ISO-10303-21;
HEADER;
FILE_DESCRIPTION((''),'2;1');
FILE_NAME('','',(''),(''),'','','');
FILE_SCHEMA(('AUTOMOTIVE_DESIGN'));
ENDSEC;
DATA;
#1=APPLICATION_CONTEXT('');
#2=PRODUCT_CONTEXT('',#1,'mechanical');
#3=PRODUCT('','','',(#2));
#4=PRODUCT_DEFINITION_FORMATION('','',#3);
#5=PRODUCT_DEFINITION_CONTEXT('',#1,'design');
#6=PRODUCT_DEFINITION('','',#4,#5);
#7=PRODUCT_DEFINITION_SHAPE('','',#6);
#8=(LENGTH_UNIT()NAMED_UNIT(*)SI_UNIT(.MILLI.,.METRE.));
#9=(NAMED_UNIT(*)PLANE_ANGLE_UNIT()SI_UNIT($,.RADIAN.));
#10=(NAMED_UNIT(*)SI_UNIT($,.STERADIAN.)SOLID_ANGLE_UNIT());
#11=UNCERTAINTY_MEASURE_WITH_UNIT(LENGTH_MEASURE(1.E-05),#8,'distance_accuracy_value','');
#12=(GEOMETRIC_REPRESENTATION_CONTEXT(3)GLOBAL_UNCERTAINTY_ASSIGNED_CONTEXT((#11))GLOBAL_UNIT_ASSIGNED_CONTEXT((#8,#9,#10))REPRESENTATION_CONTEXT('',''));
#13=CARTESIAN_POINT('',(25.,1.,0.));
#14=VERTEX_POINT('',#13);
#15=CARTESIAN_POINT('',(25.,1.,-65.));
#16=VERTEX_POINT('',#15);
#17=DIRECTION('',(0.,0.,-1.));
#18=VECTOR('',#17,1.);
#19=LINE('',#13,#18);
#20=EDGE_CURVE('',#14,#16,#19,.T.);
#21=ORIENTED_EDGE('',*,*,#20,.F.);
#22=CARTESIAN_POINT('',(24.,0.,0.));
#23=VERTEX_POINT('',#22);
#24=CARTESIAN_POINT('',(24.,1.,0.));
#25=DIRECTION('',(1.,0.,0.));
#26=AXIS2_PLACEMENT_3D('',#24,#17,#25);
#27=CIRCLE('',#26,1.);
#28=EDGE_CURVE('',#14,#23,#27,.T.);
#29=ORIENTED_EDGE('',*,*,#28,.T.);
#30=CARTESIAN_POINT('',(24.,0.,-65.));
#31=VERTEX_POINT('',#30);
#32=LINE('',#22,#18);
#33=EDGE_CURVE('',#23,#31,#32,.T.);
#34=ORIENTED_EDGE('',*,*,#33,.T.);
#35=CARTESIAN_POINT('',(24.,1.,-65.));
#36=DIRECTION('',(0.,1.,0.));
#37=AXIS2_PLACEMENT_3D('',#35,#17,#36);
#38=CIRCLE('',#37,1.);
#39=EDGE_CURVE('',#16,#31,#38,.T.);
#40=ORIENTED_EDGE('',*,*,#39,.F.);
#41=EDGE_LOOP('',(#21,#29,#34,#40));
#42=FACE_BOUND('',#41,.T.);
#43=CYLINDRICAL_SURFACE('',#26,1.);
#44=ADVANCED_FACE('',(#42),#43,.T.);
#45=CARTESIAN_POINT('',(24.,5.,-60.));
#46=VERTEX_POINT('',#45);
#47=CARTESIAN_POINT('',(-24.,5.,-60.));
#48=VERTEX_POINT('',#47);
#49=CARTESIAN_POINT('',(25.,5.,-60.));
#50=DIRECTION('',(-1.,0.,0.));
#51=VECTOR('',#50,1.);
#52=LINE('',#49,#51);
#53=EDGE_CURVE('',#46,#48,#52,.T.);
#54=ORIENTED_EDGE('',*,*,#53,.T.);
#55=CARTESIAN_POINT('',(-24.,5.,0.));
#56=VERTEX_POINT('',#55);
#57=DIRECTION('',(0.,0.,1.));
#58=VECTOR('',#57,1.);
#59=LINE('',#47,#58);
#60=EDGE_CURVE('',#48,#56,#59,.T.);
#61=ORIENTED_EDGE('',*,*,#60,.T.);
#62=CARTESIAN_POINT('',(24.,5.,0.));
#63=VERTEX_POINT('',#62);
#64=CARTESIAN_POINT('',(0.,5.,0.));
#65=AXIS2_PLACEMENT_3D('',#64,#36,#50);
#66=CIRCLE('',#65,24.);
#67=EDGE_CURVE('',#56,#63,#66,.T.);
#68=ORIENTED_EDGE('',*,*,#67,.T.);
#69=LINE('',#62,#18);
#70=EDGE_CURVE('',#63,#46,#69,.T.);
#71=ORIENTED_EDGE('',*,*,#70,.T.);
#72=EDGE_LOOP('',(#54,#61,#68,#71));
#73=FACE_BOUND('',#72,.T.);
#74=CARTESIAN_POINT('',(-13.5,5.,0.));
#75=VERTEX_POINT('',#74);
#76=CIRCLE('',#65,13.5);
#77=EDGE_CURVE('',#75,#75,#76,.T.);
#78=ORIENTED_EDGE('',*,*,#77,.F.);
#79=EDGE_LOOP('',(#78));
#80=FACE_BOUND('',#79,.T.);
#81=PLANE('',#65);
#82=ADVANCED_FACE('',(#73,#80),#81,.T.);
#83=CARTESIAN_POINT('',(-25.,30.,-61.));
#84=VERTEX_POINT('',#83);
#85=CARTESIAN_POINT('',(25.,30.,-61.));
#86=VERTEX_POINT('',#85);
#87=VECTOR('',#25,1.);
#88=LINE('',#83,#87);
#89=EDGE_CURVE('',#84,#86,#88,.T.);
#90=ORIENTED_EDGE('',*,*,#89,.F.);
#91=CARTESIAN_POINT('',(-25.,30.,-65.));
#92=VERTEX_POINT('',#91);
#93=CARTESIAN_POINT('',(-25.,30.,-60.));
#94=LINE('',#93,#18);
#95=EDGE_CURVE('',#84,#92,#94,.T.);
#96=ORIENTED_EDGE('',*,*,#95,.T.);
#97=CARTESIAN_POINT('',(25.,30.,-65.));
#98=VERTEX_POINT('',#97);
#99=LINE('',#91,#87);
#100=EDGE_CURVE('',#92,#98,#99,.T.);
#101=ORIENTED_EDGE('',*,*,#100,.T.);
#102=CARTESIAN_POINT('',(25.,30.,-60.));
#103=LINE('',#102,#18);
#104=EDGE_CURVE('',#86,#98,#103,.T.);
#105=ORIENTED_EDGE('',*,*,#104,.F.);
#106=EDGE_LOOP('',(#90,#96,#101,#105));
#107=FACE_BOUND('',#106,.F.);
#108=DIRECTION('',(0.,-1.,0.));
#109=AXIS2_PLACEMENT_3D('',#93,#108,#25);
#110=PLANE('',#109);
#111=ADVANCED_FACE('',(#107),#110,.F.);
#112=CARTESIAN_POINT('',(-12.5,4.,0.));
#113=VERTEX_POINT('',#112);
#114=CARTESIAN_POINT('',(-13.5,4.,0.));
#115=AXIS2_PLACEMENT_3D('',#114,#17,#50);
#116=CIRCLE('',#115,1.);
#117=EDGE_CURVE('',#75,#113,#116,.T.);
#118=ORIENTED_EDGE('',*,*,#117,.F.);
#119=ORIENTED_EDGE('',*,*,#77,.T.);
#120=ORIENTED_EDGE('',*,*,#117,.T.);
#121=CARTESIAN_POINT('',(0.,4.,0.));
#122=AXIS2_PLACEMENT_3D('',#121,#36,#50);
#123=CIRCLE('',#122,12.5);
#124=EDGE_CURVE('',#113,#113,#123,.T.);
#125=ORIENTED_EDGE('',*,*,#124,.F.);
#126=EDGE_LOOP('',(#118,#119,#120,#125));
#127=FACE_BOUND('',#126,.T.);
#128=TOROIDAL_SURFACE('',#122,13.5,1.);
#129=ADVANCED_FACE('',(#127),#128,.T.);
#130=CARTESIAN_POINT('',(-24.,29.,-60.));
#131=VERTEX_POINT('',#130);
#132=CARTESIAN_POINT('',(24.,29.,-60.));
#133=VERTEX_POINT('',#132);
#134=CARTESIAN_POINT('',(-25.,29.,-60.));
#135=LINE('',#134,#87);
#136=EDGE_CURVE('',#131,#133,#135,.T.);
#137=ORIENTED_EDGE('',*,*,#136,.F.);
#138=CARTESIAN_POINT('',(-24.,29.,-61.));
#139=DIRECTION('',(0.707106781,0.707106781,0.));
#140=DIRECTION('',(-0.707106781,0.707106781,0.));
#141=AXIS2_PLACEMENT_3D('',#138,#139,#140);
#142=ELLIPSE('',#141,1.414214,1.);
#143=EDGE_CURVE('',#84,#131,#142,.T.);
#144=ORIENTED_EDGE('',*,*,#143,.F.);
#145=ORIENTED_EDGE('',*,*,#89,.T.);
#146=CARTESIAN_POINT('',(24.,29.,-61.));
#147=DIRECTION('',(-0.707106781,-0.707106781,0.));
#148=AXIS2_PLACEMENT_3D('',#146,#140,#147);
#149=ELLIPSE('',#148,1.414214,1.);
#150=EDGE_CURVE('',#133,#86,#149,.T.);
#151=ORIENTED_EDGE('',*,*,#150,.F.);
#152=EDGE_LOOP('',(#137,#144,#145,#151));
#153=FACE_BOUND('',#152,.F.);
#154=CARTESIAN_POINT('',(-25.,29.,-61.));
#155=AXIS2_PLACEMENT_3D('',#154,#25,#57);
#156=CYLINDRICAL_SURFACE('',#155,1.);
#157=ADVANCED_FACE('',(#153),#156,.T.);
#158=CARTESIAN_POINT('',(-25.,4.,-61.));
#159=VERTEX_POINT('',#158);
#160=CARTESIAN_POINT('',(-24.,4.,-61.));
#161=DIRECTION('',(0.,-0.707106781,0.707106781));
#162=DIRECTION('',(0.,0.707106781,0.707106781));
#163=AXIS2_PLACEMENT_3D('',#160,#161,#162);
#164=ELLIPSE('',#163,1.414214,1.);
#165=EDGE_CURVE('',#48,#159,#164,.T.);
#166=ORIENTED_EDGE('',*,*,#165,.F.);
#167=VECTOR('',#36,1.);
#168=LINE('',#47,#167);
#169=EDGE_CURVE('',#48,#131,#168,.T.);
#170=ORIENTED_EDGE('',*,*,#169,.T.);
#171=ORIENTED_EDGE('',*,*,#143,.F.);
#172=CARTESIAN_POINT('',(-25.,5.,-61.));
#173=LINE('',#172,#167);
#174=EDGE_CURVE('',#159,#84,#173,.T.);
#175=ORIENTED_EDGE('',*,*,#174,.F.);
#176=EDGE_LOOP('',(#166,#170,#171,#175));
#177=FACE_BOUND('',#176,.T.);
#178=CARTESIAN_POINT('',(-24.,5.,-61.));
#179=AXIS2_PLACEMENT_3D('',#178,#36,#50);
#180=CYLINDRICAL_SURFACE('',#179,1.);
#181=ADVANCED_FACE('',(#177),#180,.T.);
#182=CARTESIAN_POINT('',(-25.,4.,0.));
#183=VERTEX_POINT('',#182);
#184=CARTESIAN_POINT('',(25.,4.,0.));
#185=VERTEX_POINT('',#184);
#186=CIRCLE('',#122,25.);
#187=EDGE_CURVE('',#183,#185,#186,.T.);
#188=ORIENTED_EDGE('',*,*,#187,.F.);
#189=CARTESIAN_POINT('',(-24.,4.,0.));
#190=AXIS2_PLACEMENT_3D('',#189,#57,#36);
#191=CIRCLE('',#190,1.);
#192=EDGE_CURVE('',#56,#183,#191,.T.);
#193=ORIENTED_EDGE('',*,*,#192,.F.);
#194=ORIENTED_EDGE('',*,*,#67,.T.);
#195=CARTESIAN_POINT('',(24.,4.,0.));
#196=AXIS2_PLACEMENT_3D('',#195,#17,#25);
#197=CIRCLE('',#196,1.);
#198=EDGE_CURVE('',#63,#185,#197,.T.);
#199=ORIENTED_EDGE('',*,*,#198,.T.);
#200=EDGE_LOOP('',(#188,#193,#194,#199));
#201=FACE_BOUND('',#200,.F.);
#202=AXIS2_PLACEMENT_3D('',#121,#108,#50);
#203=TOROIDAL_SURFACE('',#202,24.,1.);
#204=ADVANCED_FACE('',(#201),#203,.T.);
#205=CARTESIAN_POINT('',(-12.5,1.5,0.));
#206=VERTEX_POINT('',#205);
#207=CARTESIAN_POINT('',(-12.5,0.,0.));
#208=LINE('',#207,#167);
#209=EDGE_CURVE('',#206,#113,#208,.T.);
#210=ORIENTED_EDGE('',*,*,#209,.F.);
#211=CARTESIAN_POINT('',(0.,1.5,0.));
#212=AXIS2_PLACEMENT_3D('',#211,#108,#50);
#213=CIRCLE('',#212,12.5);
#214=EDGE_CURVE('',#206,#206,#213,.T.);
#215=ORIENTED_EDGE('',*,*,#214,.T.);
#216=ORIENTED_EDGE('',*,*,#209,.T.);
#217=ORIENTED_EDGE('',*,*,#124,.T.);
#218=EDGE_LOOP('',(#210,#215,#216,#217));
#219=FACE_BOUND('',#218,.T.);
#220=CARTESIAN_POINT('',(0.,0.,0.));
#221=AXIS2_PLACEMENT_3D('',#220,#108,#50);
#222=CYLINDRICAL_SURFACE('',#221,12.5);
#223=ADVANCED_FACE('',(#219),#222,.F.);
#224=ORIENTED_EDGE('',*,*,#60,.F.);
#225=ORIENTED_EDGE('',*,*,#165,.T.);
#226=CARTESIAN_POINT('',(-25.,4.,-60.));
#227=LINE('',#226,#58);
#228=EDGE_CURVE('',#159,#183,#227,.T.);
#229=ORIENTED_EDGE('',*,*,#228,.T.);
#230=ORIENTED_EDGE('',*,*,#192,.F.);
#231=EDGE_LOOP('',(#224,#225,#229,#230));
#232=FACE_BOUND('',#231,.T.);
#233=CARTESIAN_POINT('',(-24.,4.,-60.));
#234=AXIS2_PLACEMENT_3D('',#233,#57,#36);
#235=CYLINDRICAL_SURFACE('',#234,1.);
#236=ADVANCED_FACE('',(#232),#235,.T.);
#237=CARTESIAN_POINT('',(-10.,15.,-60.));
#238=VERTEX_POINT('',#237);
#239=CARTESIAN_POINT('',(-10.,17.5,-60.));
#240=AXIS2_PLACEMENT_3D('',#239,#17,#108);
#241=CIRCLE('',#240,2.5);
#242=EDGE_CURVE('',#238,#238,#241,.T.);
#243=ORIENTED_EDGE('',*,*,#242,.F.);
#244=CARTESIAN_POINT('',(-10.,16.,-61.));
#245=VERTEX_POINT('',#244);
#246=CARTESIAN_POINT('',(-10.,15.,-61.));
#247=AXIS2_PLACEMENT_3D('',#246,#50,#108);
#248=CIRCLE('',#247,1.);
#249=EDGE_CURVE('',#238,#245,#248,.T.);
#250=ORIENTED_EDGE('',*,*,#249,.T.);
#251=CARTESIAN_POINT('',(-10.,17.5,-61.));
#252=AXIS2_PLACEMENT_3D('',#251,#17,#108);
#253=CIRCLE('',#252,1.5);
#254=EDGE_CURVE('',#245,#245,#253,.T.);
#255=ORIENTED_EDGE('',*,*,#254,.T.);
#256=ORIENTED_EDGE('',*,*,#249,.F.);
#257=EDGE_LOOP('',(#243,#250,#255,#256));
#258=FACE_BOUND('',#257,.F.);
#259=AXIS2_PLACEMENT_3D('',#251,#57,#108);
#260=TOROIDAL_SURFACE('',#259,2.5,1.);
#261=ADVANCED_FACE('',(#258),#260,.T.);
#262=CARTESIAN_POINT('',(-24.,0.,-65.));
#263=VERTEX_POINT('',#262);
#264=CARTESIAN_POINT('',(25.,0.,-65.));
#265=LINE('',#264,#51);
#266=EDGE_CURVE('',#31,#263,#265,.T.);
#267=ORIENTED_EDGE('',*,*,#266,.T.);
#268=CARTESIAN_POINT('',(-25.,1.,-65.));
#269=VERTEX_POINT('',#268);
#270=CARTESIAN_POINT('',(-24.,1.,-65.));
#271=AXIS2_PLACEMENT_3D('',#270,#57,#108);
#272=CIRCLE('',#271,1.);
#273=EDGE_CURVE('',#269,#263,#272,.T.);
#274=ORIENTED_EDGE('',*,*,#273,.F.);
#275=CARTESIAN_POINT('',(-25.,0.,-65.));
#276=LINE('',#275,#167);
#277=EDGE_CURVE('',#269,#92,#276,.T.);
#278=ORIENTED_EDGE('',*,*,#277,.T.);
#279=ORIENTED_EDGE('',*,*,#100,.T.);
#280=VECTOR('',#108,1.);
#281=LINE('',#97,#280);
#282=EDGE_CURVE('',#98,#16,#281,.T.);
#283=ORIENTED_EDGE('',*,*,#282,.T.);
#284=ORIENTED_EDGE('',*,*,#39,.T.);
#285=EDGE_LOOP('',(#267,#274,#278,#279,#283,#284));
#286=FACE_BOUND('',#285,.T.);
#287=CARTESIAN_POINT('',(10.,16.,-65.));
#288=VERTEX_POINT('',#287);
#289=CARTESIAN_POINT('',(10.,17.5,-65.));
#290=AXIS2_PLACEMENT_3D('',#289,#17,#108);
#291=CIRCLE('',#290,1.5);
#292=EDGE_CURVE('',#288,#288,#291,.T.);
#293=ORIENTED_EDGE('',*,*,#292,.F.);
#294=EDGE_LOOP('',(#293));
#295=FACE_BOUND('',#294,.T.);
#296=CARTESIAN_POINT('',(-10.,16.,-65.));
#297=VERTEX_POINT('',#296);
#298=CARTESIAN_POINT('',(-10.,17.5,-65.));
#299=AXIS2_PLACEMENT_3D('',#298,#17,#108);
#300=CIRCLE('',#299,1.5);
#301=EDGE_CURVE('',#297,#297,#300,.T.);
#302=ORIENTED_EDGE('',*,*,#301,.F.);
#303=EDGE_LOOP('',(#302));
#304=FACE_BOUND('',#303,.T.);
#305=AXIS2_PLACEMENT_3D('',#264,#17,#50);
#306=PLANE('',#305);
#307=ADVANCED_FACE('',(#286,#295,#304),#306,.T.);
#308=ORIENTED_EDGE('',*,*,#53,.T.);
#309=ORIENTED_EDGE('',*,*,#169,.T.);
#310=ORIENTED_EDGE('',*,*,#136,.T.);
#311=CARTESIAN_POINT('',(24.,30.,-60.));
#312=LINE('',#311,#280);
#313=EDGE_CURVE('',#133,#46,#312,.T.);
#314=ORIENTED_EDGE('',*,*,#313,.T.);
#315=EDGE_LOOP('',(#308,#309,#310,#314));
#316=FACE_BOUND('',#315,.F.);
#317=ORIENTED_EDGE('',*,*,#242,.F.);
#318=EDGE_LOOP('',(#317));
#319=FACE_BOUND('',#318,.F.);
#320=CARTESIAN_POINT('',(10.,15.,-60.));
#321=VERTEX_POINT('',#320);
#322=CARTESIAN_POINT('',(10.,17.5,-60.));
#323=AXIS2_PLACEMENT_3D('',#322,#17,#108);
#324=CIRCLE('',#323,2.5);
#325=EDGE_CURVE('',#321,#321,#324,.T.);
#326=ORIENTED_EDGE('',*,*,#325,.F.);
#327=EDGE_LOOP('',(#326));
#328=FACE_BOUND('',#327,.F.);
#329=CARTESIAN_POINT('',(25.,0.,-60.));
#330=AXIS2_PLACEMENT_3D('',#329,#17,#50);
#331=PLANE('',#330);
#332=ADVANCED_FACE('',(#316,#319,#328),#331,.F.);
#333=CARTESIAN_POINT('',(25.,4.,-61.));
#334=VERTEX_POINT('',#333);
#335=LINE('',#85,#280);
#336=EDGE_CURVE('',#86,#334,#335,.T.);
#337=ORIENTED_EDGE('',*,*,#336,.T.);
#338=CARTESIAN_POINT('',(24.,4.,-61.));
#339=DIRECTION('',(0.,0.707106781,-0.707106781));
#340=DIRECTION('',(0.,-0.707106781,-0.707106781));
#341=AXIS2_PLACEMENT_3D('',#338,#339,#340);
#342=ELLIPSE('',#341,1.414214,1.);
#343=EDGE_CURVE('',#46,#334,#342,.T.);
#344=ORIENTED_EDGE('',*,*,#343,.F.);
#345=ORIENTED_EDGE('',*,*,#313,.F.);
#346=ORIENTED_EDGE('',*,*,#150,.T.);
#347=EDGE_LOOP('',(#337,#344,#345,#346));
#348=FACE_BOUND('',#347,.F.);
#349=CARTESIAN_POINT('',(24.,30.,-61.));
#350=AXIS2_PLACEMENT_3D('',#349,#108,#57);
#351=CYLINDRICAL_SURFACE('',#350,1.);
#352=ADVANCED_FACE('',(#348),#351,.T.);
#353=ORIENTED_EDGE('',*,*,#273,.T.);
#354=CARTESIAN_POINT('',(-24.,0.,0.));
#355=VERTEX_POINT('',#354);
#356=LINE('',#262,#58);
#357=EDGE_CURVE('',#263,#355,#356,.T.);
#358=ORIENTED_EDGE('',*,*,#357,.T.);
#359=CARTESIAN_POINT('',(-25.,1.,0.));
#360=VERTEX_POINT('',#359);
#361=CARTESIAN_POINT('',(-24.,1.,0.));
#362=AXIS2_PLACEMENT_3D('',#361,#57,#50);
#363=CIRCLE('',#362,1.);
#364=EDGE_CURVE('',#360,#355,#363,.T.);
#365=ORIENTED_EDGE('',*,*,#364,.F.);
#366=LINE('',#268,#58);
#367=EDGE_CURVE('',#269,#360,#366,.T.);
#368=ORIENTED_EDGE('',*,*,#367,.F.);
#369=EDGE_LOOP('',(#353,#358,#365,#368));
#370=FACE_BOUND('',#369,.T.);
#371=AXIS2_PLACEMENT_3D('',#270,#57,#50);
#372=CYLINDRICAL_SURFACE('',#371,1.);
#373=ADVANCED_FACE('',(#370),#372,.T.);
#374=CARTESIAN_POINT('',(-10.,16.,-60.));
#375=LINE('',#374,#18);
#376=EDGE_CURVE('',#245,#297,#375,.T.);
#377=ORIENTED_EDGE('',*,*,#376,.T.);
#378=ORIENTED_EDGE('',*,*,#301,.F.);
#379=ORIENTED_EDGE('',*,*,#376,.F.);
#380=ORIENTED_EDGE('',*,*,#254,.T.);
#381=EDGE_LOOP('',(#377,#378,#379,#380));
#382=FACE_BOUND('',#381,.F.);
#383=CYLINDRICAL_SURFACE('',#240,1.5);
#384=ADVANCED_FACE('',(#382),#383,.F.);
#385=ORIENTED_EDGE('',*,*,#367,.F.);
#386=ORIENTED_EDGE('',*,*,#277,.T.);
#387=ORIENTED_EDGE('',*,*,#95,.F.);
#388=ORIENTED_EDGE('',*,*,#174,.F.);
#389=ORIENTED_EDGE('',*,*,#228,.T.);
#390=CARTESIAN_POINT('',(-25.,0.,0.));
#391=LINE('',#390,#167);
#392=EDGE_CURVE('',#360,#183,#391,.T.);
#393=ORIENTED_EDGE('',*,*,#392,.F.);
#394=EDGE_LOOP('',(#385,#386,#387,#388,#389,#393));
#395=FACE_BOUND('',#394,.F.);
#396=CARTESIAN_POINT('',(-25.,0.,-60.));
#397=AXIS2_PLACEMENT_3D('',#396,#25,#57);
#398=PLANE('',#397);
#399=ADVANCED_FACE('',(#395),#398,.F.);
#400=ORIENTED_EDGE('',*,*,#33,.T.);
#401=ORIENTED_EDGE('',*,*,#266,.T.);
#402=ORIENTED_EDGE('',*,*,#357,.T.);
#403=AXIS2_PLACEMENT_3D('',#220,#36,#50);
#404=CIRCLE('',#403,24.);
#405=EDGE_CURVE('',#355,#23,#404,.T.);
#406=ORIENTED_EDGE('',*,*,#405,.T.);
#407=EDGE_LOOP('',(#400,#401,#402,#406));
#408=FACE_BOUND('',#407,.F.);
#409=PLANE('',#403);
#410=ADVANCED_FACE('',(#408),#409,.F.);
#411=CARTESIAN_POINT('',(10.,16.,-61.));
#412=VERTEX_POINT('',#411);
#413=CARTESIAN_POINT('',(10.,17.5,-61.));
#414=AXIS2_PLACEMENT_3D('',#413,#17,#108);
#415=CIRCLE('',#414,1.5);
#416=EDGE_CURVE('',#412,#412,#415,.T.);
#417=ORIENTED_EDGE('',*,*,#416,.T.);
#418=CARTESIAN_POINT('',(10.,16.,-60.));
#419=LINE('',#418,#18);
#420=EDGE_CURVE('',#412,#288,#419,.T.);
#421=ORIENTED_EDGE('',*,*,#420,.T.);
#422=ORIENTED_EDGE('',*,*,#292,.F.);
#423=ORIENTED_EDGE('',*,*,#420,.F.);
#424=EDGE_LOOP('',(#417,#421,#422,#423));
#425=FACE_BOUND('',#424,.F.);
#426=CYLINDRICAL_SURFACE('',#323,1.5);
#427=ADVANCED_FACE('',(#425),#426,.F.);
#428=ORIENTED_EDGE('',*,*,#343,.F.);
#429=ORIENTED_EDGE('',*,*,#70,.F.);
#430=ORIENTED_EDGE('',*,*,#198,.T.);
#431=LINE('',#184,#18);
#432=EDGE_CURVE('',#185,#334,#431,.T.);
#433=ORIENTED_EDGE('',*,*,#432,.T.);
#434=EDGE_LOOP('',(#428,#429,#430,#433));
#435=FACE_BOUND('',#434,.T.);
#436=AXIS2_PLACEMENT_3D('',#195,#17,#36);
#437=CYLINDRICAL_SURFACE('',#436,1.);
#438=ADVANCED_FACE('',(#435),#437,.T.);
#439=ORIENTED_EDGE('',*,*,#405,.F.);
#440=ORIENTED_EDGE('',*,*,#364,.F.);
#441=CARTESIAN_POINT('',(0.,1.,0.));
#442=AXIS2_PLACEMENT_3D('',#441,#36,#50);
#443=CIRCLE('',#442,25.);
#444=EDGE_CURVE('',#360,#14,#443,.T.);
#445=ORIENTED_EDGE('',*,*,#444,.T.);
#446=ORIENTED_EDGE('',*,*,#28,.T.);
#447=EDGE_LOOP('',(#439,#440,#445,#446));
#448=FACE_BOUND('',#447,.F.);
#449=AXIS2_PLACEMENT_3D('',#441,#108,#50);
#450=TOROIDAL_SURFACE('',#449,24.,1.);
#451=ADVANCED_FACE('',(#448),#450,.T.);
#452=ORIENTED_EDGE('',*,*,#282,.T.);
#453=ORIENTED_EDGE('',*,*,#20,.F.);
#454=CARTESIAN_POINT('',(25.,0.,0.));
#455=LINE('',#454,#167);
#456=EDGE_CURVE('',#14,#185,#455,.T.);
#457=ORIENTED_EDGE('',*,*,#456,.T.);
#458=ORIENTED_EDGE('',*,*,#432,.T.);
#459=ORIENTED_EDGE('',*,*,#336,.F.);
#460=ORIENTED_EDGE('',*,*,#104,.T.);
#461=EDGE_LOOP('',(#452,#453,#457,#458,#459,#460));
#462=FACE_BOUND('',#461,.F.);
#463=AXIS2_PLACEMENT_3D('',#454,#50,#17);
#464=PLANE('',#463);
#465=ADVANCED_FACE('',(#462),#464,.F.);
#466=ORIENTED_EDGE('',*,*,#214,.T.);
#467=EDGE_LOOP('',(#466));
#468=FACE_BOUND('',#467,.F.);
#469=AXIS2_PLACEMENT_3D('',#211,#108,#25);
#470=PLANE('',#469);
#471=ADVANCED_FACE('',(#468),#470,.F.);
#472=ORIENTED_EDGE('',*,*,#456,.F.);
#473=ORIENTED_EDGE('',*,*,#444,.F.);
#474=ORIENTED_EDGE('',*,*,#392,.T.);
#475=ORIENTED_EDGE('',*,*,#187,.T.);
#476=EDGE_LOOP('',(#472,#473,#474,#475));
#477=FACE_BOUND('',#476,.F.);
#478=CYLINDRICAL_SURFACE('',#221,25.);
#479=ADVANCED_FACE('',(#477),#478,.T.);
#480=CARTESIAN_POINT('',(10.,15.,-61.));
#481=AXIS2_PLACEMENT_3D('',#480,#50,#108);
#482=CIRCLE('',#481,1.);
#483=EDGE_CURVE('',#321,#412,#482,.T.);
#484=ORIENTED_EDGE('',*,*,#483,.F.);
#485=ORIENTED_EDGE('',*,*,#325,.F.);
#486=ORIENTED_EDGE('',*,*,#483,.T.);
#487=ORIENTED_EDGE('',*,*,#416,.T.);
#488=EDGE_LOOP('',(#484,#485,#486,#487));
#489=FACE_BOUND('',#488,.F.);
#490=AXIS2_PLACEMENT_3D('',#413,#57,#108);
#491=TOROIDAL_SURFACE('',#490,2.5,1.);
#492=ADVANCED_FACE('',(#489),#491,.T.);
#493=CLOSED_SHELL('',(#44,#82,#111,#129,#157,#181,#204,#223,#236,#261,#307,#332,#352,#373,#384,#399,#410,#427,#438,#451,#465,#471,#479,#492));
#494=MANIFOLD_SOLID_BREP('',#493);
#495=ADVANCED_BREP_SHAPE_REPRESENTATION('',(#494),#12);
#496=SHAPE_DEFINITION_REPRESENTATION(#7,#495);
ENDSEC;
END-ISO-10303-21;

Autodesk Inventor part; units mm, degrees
ref_plane "YZ Plane" through (0, 0, 0) normal (1, 0, 0) x (0, 1, 0)
ref_plane "XZ Plane" through (0, 0, 0) normal (0, 1, 0) x (-1, 0, 0)
ref_plane "XY Plane" through (0, 0, 0) normal (0, 0, 1) x (1, 0, 0)
sketch "Sketch1" plane through (0, 0, 0) normal (0, 1, 0) x (-1, 0, 0)
  circle A0 centre (0, 0) radius 12.5
  arc A1 (25, 0) -> (-25, 0) centre (0, 0) ccw
  line L0 (-25, 0) -> (-25, -60)
  line L1 (-25, -60) -> (25, -60)
  line L2 (25, -60) -> (25, 0)
  dimension "d0" = 25
  dimension "d1" = 50
  dimension "d2" = 60
extrude "Extrusion1" add sketch "Sketch1" along normal blind 5
sketch "Sketch2" plane through (25, 0, -60) normal (0, 0, -1) x (-1, 0, 0)
  point P0 (25, 0)
sketch "Sketch3" plane through (25, 0, -60) normal (0, 0, -1) x (-1, 0, 0)
  line L0 (0, 0) -> (50, 0)
  line L1 (50, 0) -> (50, 30)
  line L2 (50, 30) -> (0, 30)
  line L3 (0, 30) -> (0, 0)
  point P0 (25, 0)
  dimension "d5" = 30
extrude "Extrusion2" add sketch "Sketch3" along normal blind 5
hole "Hole1" at (-10, 17.5, -60) direction (0, 0, -1) diameter 3 end through all
hole "Hole2" at (10, 17.5, -60) direction (0, 0, -1) diameter 3 end through all
fillet "Fillet1" radius 1 1 edges at (10, 19, -60)
fillet "Fillet2" radius 1 1 edges at (-10, 19, -60)
fillet "Fillet3" radius 1 2 edges at (12.5, 5, 0) (12.5, 0, 0)
fillet "Fillet4" radius 1 9 edges at (25, 5, -30) (-25, 5, -30) (0, 5, 25) (25, 17.5, -60) (-25, 17.5, -60) (0, 30, -60) (0, 0, 25) (-25, 0, -32.5) (25, 0, -32.5)
sketch "Sketch4" plane through (0, 0, 0) normal (0, -1, 0) x (1, 0, 0)
  circle A0 centre (0, 0) radius 17.7289
extrude "Extrusion3" add sketch "Sketch4" against normal blind 1.5
properties part number "Shop Towel Holder"
